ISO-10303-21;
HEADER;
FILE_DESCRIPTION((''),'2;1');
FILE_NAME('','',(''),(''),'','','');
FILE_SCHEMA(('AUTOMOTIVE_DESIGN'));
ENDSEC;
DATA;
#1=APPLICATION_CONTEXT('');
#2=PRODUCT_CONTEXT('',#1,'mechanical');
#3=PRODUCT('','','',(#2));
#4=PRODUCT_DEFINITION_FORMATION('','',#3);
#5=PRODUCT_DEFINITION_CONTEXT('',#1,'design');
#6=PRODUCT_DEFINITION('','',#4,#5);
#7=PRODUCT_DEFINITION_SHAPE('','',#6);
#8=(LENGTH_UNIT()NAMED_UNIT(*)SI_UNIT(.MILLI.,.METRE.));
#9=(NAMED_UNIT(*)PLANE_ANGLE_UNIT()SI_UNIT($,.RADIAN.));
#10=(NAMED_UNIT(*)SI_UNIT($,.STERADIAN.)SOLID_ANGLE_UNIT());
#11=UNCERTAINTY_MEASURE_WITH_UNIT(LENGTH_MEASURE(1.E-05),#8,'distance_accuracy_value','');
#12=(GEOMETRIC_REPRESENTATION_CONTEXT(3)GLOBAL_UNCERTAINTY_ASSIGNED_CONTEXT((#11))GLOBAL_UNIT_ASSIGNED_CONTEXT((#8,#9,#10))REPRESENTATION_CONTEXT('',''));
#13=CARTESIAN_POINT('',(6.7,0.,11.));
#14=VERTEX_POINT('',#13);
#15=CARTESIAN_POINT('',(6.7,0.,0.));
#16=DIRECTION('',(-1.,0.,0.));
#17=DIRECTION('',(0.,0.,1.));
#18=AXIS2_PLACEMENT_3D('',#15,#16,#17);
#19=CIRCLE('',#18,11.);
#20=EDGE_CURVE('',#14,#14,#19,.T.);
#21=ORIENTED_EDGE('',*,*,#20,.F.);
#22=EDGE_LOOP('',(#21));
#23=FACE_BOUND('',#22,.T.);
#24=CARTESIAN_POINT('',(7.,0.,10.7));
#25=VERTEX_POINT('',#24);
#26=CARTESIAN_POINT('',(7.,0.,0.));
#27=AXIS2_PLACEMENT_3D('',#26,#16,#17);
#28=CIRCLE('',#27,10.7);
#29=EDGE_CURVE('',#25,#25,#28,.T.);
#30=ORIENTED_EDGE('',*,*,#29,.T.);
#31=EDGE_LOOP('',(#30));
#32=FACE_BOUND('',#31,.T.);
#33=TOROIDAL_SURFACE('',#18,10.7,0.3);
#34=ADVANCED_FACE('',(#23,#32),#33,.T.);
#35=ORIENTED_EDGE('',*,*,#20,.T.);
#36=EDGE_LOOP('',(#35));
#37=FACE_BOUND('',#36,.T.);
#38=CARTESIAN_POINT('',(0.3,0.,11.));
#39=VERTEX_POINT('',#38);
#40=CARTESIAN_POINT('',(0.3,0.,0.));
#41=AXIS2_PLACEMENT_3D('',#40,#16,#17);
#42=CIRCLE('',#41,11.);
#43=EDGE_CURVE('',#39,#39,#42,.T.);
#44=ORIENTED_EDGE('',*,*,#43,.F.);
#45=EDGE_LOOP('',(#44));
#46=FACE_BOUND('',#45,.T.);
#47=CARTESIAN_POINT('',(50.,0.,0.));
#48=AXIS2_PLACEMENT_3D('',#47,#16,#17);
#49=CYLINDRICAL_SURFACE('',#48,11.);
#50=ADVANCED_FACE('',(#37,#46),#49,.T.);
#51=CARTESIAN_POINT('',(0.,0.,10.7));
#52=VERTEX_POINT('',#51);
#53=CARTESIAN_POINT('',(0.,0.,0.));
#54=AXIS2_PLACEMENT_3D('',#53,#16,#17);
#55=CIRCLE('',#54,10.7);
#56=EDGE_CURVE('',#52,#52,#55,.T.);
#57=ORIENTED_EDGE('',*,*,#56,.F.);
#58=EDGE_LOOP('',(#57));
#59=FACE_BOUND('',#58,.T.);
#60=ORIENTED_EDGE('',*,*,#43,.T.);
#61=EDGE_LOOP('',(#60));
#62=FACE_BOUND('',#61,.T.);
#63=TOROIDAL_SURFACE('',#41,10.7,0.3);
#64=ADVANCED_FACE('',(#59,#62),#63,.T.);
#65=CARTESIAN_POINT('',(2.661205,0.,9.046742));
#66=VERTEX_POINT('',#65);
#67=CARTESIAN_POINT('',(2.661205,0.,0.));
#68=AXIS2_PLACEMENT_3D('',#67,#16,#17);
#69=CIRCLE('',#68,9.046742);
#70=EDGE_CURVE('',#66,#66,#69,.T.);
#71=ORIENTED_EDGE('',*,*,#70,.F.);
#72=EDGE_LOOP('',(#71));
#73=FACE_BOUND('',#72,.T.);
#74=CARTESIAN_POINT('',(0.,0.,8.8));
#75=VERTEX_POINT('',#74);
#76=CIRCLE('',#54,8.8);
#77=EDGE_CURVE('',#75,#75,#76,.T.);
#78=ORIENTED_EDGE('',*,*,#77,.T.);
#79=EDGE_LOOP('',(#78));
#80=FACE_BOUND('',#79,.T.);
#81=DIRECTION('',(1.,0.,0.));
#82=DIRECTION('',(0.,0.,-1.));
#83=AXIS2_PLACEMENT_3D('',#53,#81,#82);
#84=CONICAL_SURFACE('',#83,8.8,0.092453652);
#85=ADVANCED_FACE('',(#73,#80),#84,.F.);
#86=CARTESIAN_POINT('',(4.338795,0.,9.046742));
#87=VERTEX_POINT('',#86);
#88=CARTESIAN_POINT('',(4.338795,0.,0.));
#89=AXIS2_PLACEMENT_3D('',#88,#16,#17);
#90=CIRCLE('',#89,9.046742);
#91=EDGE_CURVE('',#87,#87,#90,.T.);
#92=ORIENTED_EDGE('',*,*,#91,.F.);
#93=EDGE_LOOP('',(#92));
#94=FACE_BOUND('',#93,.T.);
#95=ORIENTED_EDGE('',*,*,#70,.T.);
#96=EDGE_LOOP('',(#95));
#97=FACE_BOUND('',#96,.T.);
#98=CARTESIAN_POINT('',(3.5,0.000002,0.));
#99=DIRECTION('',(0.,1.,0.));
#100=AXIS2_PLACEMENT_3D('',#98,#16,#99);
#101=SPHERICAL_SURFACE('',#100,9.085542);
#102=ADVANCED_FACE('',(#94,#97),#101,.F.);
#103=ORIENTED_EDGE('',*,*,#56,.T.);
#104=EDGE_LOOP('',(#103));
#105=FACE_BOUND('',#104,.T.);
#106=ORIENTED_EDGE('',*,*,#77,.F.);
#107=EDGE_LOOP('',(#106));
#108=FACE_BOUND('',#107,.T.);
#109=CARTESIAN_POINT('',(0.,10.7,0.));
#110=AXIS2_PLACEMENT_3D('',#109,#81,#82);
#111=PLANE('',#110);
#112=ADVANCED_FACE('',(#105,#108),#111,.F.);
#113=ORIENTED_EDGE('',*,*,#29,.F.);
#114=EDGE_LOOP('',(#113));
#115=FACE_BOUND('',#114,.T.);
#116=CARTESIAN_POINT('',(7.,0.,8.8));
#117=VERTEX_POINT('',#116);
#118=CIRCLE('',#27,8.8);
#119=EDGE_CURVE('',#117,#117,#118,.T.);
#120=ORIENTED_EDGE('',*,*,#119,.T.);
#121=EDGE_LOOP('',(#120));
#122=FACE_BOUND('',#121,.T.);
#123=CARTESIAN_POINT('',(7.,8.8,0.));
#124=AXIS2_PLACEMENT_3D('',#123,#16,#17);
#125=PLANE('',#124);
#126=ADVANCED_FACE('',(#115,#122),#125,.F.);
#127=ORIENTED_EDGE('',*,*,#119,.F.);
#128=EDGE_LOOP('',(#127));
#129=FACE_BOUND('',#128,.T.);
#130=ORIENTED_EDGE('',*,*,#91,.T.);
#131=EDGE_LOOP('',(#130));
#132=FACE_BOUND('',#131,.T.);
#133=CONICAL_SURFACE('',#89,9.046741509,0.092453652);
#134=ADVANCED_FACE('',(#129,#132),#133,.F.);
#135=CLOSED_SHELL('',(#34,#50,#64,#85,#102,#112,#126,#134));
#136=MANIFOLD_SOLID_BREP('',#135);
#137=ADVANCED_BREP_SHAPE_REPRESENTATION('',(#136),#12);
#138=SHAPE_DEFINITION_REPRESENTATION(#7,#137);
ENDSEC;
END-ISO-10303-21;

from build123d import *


with BuildPart() as part:
    # Sketch1 → Revolve1 (revolve)
    with BuildSketch(Plane.XY):
        with BuildLine():
            Line((0, 8.8), (2.661204617, 9.046741509))
            ThreePointArc((2.661204617, 9.046741509), (3.5, 9.085544), (4.338795383, 9.046741509))
            Line((4.338795383, 9.046741509), (7, 8.8))
            Line((7, 8.8), (7, 10.7))
            ThreePointArc((7, 10.7), (6.912132034, 10.912132034), (6.7, 11))
            Line((6.7, 11), (0.3, 11))
            ThreePointArc((0.3, 11), (0.087867966, 10.912132034), (0, 10.7))
            Line((0, 10.7), (0, 8.8))
        make_face()
    revolve(axis=Axis((50, 0, 0), (-1, 0, 0)))


solid = part.part
